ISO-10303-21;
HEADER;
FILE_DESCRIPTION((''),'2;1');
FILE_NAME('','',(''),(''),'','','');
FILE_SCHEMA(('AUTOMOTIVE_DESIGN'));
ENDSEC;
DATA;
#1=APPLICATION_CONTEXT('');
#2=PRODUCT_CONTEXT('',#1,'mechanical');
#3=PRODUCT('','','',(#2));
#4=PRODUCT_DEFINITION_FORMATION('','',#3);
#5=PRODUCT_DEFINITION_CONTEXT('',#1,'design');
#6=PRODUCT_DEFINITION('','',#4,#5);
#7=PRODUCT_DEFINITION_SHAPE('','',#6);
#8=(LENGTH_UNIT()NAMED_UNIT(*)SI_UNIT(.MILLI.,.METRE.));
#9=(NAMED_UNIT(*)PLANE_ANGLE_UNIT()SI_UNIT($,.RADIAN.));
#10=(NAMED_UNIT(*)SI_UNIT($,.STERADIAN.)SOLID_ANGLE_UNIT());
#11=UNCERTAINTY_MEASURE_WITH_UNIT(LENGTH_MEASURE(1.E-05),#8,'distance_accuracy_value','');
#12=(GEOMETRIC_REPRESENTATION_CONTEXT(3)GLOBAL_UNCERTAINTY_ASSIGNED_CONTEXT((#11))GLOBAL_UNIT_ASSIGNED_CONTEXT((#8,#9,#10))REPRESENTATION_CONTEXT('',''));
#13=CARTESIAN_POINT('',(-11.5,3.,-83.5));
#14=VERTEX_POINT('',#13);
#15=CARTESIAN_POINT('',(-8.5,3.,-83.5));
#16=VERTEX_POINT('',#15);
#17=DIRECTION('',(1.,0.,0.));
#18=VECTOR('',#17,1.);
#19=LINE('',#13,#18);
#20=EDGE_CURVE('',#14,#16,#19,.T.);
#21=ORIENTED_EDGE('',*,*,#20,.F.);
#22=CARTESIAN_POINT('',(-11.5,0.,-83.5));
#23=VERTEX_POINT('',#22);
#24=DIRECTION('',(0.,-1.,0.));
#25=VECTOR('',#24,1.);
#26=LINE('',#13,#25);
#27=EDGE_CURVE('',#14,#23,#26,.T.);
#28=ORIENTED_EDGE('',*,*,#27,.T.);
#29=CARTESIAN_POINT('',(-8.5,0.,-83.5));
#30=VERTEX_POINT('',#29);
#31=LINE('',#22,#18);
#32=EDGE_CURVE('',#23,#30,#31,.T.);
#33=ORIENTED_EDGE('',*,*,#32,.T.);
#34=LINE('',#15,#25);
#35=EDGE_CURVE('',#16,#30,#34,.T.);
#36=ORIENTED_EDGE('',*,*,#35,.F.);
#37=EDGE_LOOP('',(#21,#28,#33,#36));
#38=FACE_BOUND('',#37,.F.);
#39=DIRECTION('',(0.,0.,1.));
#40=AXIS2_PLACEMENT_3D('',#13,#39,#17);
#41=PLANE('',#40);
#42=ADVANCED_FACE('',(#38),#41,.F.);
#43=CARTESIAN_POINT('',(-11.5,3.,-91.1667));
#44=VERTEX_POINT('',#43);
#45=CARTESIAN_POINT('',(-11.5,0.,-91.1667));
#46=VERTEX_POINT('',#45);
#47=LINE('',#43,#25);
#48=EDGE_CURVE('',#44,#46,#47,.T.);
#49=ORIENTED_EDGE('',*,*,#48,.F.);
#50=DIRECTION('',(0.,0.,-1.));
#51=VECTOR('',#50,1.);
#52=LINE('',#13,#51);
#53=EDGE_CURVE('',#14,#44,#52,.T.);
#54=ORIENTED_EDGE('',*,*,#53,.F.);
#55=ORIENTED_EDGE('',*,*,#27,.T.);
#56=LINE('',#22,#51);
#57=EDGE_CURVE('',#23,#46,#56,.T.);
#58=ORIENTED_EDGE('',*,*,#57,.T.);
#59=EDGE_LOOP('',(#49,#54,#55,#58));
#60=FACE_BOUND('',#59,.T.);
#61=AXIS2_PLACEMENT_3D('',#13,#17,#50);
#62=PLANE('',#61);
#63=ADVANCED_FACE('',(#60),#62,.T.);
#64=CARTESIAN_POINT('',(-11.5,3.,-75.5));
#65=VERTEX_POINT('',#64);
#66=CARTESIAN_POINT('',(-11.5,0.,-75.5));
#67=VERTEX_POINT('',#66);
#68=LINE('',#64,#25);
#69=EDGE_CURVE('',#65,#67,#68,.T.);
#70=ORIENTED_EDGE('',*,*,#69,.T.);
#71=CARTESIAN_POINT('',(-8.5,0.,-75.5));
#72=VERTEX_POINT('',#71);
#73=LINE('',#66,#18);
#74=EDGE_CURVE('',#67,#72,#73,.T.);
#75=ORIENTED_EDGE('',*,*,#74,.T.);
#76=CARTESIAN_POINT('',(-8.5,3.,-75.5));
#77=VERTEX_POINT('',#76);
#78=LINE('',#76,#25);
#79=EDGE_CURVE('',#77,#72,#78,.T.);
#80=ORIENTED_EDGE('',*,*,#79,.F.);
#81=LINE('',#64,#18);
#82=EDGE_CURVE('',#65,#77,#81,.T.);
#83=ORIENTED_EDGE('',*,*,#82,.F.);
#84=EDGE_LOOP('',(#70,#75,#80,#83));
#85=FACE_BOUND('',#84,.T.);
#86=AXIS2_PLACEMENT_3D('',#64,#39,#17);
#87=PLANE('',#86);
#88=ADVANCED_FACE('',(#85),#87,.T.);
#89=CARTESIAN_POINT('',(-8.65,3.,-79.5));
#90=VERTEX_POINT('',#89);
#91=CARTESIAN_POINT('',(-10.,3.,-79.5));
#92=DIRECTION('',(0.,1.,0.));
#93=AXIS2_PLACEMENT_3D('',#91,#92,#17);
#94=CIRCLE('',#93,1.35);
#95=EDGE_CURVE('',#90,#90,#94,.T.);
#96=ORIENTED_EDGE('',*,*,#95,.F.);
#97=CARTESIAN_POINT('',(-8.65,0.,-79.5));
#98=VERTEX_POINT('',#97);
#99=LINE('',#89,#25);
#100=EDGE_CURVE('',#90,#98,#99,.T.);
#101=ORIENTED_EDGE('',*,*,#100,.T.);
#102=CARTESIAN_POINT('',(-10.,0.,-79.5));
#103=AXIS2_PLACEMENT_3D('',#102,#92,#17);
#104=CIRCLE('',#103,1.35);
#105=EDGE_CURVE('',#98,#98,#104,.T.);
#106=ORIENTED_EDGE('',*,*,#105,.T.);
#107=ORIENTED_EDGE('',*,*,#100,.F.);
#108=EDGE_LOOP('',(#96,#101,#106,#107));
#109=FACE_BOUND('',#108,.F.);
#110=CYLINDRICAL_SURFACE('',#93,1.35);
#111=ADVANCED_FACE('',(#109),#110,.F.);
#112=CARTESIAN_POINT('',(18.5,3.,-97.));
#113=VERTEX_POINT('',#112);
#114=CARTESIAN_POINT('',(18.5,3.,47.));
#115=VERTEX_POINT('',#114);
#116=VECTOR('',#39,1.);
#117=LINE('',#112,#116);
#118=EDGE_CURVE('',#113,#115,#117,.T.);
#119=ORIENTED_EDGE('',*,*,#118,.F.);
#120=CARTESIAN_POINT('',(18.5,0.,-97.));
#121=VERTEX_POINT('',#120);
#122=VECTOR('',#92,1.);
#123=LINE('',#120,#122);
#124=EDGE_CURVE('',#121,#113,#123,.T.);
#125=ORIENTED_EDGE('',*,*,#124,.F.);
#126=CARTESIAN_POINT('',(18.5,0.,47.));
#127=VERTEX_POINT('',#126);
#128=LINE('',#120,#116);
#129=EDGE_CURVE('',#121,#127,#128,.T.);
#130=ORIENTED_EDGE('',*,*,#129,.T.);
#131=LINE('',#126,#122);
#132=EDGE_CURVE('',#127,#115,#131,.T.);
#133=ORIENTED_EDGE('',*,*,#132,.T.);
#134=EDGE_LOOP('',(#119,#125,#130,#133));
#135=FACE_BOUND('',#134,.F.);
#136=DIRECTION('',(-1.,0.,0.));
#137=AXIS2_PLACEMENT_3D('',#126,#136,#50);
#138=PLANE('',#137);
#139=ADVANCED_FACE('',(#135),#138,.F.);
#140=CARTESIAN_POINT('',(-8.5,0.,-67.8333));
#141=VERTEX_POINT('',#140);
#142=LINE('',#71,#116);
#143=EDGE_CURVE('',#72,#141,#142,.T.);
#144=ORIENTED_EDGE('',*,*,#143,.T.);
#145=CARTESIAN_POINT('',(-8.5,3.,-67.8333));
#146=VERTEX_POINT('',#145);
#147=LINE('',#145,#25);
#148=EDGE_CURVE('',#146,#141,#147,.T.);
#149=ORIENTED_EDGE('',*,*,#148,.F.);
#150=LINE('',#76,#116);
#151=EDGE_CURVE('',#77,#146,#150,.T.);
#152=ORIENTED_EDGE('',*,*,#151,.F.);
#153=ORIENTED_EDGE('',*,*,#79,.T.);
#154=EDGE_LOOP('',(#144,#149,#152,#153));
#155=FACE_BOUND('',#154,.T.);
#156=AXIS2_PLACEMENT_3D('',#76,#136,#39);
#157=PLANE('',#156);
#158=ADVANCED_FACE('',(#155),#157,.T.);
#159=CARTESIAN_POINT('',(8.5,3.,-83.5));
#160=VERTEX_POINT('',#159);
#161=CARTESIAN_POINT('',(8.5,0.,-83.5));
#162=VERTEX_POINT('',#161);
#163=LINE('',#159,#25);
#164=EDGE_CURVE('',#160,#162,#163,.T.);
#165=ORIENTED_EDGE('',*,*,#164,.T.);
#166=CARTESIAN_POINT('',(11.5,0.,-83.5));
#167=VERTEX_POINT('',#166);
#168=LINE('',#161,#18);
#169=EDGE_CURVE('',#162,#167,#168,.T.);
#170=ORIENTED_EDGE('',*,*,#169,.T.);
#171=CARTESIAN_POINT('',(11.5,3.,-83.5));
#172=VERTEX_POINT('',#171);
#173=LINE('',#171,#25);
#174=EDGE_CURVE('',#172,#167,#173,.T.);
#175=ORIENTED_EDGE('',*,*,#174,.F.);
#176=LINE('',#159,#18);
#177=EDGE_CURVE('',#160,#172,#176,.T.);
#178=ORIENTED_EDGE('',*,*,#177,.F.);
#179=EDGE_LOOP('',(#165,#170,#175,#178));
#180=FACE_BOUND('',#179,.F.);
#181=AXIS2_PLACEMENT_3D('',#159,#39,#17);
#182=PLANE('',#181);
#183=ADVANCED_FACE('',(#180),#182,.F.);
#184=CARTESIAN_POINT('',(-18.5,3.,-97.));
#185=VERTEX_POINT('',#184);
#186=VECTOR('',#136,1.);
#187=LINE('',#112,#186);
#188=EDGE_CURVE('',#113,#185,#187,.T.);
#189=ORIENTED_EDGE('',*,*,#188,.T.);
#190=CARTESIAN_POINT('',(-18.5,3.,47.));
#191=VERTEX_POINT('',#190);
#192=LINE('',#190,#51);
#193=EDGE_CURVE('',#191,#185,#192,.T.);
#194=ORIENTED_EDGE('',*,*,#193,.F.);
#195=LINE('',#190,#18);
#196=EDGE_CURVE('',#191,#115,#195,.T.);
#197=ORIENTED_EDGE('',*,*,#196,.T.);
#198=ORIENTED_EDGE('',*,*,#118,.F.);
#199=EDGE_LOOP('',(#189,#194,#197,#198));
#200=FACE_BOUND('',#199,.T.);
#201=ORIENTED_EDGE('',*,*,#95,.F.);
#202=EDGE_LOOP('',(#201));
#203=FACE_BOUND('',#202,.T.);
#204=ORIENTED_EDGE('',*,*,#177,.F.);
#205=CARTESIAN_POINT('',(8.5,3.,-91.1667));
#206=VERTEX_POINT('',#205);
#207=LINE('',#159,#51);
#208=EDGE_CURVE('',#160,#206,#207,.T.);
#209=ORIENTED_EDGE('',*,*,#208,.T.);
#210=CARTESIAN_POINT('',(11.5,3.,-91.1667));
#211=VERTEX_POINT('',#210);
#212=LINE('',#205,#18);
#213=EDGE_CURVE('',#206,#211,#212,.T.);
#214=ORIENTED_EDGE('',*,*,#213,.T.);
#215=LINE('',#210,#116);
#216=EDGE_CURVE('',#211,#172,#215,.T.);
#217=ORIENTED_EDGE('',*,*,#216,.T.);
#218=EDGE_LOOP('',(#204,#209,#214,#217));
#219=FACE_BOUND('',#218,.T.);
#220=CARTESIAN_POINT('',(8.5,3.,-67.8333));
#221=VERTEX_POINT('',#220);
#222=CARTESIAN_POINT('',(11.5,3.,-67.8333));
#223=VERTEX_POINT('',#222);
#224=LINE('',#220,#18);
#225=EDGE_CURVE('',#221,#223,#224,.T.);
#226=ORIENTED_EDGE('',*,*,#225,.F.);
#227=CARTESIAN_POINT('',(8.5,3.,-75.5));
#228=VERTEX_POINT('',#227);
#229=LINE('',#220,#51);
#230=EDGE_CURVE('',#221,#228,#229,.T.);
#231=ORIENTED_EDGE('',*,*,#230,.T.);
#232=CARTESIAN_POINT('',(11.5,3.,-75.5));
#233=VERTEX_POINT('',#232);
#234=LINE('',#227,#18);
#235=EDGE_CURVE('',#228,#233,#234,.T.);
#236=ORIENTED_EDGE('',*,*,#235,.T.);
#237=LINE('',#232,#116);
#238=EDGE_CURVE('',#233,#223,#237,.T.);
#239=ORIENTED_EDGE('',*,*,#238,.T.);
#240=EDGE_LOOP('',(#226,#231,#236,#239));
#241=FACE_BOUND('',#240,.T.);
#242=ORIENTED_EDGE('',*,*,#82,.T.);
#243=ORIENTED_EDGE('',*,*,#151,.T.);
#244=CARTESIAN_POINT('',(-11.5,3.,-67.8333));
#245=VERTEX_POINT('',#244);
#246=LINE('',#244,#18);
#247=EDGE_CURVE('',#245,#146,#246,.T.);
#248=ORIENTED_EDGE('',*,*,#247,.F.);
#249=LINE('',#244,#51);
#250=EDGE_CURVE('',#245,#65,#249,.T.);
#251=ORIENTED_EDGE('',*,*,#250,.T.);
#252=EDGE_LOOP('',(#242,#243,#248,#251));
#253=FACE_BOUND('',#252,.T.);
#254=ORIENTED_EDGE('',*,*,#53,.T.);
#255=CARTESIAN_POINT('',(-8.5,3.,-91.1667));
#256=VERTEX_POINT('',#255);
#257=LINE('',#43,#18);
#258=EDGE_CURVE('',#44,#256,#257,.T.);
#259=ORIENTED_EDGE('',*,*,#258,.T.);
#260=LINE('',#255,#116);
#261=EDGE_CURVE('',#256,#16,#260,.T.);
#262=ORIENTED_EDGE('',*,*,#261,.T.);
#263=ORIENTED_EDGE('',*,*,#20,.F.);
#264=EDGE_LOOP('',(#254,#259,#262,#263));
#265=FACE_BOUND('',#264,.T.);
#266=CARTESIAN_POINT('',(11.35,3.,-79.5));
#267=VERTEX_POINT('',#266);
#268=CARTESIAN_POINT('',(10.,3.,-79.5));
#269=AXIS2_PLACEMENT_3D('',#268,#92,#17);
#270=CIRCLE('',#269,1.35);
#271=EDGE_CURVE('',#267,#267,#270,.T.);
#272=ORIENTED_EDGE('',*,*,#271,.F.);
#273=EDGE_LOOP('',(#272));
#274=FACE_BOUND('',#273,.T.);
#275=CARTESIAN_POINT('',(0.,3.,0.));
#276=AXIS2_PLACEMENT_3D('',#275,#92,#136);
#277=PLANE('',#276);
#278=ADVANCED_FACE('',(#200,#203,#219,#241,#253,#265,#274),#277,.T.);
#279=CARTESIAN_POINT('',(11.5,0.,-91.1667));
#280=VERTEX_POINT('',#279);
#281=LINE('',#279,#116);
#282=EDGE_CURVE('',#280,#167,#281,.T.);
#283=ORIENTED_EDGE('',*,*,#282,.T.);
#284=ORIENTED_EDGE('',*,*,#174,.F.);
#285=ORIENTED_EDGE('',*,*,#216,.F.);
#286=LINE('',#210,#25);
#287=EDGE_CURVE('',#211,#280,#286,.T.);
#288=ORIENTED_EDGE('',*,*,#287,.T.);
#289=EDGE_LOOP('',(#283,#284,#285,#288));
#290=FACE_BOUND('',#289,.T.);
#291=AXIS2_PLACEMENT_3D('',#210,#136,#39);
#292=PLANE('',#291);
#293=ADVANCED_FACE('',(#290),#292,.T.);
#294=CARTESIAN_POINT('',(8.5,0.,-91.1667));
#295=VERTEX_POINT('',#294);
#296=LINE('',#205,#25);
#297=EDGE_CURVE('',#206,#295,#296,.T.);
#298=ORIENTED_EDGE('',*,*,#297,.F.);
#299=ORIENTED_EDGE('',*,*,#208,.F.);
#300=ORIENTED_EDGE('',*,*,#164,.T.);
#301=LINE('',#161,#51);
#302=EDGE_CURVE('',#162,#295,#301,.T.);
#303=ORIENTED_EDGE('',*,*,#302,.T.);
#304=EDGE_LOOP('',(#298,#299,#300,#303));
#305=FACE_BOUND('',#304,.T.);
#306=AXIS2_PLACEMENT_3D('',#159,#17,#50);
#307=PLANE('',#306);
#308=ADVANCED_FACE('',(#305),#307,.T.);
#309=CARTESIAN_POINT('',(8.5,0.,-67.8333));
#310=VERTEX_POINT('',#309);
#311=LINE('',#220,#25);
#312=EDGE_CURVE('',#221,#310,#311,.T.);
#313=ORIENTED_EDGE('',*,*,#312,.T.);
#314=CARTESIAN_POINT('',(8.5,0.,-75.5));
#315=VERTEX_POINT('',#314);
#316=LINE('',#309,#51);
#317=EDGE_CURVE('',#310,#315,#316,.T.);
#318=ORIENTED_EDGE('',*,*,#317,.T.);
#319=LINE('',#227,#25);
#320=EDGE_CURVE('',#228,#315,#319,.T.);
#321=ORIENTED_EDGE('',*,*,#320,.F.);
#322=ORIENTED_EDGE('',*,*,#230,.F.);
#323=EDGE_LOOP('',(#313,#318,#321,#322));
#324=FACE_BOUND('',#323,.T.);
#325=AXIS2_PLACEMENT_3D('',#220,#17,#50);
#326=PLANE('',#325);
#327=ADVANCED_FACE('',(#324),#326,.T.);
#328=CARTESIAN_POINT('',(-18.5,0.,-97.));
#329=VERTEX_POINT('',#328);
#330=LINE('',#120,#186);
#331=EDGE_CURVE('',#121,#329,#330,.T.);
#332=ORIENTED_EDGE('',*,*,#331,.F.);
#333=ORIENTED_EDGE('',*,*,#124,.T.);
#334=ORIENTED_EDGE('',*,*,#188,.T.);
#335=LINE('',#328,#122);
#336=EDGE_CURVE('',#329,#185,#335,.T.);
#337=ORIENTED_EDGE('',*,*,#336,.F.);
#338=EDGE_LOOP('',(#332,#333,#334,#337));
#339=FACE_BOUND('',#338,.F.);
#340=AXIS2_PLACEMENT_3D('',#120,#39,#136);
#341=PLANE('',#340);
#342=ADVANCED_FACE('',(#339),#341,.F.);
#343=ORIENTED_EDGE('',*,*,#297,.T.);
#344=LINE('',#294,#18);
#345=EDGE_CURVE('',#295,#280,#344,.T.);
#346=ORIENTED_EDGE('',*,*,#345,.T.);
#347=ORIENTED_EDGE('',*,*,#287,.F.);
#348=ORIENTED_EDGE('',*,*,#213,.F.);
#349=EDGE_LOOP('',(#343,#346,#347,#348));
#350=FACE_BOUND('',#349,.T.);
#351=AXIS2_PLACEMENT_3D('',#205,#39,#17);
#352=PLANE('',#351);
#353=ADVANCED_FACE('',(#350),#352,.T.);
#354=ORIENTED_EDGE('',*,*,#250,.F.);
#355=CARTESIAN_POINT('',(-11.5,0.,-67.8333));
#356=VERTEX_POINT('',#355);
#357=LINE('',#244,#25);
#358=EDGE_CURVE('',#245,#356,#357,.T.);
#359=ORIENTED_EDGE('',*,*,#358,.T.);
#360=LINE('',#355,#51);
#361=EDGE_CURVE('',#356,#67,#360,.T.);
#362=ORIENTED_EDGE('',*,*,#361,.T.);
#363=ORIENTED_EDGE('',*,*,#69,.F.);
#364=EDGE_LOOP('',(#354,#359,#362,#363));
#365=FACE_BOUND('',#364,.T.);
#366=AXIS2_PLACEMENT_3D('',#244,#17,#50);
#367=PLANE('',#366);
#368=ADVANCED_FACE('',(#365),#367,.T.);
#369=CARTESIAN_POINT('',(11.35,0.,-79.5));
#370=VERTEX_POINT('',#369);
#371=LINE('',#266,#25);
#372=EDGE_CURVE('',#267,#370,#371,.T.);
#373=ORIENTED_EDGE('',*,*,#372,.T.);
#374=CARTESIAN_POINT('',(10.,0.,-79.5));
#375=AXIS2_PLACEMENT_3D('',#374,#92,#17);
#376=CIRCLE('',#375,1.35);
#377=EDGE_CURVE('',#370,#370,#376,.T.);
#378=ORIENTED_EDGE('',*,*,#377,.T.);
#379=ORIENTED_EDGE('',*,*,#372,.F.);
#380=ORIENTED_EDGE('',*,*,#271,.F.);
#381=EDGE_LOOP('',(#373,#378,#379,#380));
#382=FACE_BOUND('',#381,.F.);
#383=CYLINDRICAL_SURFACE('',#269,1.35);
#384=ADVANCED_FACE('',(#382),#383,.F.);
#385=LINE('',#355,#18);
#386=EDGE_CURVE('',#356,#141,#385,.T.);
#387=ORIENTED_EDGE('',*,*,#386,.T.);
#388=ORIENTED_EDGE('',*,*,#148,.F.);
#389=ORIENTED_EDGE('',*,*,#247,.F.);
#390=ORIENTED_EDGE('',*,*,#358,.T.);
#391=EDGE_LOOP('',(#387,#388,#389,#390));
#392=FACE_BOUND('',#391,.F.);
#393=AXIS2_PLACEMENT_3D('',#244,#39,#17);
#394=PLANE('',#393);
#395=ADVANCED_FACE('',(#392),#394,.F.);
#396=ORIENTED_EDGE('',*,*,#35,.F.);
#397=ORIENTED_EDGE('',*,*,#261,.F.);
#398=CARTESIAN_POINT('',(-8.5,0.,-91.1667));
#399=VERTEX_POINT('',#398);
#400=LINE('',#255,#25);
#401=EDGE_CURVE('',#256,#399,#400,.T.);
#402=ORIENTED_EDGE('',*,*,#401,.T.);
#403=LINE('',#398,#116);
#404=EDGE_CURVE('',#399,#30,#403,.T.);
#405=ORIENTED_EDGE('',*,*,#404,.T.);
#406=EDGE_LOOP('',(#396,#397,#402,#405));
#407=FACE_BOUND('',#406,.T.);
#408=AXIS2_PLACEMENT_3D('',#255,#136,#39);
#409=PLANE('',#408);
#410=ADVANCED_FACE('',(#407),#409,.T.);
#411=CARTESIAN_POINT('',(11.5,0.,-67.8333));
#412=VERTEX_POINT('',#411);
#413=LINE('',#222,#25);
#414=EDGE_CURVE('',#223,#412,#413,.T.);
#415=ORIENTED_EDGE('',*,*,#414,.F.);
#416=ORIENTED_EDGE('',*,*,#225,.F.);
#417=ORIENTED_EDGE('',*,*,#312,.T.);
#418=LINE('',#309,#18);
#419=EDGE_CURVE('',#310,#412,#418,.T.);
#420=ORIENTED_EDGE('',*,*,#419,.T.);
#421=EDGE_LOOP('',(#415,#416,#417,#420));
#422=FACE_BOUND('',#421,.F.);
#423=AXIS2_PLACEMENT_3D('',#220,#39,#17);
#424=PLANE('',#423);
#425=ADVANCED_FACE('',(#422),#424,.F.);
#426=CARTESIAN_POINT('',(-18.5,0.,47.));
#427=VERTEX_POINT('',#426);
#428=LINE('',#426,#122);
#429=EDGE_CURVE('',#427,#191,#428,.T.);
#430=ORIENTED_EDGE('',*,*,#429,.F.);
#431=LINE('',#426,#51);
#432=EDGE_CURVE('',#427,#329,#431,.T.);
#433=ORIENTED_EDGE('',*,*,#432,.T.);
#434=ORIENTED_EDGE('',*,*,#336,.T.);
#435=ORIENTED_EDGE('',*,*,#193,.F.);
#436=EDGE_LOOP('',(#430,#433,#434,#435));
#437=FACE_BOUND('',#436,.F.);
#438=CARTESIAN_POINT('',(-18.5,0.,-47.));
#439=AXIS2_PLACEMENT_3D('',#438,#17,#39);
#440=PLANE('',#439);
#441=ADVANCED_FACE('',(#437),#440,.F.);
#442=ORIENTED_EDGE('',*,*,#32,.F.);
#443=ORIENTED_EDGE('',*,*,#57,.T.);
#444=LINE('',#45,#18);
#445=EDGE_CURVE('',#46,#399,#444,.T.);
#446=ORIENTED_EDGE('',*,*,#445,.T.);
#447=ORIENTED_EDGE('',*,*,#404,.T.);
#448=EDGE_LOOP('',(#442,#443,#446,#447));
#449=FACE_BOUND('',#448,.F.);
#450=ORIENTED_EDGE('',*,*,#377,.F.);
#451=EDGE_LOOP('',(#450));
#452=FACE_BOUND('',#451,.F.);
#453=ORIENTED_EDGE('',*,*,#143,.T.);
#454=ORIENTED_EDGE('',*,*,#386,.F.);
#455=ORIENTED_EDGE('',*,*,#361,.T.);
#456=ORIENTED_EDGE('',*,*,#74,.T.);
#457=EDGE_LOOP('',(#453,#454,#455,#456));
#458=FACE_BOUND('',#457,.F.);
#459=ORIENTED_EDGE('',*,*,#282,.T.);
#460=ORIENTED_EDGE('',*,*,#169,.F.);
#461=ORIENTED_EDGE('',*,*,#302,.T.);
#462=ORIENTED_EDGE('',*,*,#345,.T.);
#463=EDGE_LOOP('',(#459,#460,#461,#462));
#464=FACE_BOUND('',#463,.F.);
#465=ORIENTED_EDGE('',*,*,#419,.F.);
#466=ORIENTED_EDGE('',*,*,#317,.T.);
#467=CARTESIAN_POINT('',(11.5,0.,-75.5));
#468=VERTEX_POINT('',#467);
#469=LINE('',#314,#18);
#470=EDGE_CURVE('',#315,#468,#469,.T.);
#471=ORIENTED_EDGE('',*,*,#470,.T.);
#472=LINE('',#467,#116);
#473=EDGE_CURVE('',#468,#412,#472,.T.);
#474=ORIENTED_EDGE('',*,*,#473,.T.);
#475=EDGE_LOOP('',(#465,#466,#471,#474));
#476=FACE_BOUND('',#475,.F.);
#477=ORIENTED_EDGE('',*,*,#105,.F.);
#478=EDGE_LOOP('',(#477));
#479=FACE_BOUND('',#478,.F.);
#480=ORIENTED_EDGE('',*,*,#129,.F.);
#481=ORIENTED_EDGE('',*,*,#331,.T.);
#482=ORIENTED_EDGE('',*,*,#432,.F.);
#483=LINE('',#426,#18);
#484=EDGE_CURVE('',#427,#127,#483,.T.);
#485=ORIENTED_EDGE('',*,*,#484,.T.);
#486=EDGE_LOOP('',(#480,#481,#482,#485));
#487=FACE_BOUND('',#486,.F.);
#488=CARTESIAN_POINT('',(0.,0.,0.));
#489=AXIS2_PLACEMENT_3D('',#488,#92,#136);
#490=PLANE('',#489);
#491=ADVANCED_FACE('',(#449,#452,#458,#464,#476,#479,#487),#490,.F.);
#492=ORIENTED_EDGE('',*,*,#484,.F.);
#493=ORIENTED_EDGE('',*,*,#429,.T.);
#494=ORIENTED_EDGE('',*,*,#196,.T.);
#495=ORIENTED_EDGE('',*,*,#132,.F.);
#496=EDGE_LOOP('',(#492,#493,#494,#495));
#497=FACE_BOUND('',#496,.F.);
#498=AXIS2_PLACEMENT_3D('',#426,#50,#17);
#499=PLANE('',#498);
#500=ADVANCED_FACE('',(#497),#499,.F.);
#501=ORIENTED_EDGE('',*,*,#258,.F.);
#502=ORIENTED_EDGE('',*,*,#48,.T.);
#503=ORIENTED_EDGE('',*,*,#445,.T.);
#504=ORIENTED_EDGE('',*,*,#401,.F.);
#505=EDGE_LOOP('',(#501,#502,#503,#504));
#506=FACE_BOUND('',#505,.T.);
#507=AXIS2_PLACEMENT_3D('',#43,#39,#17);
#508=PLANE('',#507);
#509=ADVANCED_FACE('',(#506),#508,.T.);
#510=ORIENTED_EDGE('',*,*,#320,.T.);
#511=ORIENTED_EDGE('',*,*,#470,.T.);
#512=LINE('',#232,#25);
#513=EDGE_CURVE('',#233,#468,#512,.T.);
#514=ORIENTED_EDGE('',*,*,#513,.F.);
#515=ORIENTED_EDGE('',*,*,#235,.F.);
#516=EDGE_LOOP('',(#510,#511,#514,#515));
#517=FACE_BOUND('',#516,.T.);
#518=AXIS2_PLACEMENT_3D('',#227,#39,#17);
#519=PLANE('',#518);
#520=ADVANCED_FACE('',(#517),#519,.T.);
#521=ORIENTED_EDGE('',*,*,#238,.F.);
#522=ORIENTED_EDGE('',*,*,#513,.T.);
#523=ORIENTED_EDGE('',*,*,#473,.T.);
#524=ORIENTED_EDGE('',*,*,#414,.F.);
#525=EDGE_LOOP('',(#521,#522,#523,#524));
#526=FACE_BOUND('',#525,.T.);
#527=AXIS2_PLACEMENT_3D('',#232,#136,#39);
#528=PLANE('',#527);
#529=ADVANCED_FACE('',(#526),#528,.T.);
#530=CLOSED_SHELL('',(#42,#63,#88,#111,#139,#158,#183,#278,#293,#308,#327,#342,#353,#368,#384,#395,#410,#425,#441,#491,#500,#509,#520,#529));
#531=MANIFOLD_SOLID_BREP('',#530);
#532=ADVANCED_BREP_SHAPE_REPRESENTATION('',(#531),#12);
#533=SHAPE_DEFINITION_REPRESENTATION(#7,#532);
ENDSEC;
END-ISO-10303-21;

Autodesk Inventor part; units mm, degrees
ref_plane "YZ Plane" through (0, 0, 0) normal (1, 0, 0) x (0, 1, 0)
ref_plane "XZ Plane" through (0, 0, 0) normal (0, 1, 0) x (-1, 0, 0)
ref_plane "XY Plane" through (0, 0, 0) normal (0, 0, 1) x (1, 0, 0)
sketch "Sketch2" plane through (0, 0, 0) normal (0, 1, 0) x (-1, 0, 0)
  line L0 (8.5, 37) -> (-8.5, 37)
  line L1 (-8.5, 37) -> (-8.5, -37)
  line L2 (-8.5, -37) -> (8.5, -37)
  line L3 (8.5, -37) -> (8.5, 37)
  line L4 (8.5, 37) -> (-8.5, -37) construction
  line L5 (-8.5, 37) -> (8.5, -37) construction
  line L6 (18.5, 47) -> (-18.5, 47)
  line L7 (-18.5, 47) -> (-18.5, -47)
  line L8 (-18.5, -47) -> (18.5, -47)
  line L9 (18.5, -47) -> (18.5, 47)
  line L10 (18.5, -47) -> (-18.5, -47)
  line L11 (-18.5, -47) -> (-18.5, -97)
  line L12 (-18.5, -97) -> (18.5, -97)
  line L13 (18.5, -97) -> (18.5, -47)
  point P0 (0, 0)
  dimension "d0" = 17
  dimension "d1" = 74
  dimension "d2" = 10
  dimension "d5" = 50
extrude "Extrusion1" add sketch "Sketch2" along normal blind 3 contours L3 L2 L1 L0 | L9 L8 L7 L6 | L13 L12 L11 L8
sketch "Sketch3" plane through (0, 3, 0) normal (0, 1, 0) x (1, 0, 0)
  line L0 (8.5, 67.8333) -> (8.5, 75.5) projected
  line L1 (8.5, 67.8333) -> (11.5, 67.8333) projected
  line L2 (11.5, 75.5) -> (11.5, 67.8333) projected
  line L3 (8.5, 75.5) -> (11.5, 75.5) projected
  line L4 (8.5, 83.5) -> (8.5, 91.1667) projected
  line L5 (8.5, 83.5) -> (11.5, 83.5) projected
  line L6 (11.5, 91.1667) -> (11.5, 83.5) projected
  line L7 (8.5, 91.1667) -> (11.5, 91.1667) projected
  line L8 (-11.5, 83.5) -> (-11.5, 91.1667) projected
  line L9 (-11.5, 83.5) -> (-8.5, 83.5) projected
  line L10 (-8.5, 91.1667) -> (-8.5, 83.5) projected
  line L11 (-11.5, 91.1667) -> (-8.5, 91.1667) projected
  line L12 (-11.5, 67.8333) -> (-11.5, 75.5) projected
  line L13 (-11.5, 67.8333) -> (-8.5, 67.8333) projected
  line L14 (-8.5, 75.5) -> (-8.5, 67.8333) projected
  line L15 (-11.5, 75.5) -> (-8.5, 75.5) projected
  line L16 (8.5, 75.5) -> (11.5, 83.5) construction
  line L17 (11.5, 75.5) -> (8.5, 83.5) construction
  line L18 (-8.5, 75.5) -> (-11.5, 83.5) construction
  line L19 (-11.5, 75.5) -> (-8.5, 83.5) construction
  circle A0 centre (-10, 79.5) radius 1.35
  circle A1 centre (10, 79.5) radius 1.35
  point P0 (0, 0)
  dimension "d6" = 2.7
  dimension "d7" = 2.7
extrude "Extrusion2" cut sketch "Sketch3" against normal blind 3
properties part number "bed" material "Acrylic, Clear"
